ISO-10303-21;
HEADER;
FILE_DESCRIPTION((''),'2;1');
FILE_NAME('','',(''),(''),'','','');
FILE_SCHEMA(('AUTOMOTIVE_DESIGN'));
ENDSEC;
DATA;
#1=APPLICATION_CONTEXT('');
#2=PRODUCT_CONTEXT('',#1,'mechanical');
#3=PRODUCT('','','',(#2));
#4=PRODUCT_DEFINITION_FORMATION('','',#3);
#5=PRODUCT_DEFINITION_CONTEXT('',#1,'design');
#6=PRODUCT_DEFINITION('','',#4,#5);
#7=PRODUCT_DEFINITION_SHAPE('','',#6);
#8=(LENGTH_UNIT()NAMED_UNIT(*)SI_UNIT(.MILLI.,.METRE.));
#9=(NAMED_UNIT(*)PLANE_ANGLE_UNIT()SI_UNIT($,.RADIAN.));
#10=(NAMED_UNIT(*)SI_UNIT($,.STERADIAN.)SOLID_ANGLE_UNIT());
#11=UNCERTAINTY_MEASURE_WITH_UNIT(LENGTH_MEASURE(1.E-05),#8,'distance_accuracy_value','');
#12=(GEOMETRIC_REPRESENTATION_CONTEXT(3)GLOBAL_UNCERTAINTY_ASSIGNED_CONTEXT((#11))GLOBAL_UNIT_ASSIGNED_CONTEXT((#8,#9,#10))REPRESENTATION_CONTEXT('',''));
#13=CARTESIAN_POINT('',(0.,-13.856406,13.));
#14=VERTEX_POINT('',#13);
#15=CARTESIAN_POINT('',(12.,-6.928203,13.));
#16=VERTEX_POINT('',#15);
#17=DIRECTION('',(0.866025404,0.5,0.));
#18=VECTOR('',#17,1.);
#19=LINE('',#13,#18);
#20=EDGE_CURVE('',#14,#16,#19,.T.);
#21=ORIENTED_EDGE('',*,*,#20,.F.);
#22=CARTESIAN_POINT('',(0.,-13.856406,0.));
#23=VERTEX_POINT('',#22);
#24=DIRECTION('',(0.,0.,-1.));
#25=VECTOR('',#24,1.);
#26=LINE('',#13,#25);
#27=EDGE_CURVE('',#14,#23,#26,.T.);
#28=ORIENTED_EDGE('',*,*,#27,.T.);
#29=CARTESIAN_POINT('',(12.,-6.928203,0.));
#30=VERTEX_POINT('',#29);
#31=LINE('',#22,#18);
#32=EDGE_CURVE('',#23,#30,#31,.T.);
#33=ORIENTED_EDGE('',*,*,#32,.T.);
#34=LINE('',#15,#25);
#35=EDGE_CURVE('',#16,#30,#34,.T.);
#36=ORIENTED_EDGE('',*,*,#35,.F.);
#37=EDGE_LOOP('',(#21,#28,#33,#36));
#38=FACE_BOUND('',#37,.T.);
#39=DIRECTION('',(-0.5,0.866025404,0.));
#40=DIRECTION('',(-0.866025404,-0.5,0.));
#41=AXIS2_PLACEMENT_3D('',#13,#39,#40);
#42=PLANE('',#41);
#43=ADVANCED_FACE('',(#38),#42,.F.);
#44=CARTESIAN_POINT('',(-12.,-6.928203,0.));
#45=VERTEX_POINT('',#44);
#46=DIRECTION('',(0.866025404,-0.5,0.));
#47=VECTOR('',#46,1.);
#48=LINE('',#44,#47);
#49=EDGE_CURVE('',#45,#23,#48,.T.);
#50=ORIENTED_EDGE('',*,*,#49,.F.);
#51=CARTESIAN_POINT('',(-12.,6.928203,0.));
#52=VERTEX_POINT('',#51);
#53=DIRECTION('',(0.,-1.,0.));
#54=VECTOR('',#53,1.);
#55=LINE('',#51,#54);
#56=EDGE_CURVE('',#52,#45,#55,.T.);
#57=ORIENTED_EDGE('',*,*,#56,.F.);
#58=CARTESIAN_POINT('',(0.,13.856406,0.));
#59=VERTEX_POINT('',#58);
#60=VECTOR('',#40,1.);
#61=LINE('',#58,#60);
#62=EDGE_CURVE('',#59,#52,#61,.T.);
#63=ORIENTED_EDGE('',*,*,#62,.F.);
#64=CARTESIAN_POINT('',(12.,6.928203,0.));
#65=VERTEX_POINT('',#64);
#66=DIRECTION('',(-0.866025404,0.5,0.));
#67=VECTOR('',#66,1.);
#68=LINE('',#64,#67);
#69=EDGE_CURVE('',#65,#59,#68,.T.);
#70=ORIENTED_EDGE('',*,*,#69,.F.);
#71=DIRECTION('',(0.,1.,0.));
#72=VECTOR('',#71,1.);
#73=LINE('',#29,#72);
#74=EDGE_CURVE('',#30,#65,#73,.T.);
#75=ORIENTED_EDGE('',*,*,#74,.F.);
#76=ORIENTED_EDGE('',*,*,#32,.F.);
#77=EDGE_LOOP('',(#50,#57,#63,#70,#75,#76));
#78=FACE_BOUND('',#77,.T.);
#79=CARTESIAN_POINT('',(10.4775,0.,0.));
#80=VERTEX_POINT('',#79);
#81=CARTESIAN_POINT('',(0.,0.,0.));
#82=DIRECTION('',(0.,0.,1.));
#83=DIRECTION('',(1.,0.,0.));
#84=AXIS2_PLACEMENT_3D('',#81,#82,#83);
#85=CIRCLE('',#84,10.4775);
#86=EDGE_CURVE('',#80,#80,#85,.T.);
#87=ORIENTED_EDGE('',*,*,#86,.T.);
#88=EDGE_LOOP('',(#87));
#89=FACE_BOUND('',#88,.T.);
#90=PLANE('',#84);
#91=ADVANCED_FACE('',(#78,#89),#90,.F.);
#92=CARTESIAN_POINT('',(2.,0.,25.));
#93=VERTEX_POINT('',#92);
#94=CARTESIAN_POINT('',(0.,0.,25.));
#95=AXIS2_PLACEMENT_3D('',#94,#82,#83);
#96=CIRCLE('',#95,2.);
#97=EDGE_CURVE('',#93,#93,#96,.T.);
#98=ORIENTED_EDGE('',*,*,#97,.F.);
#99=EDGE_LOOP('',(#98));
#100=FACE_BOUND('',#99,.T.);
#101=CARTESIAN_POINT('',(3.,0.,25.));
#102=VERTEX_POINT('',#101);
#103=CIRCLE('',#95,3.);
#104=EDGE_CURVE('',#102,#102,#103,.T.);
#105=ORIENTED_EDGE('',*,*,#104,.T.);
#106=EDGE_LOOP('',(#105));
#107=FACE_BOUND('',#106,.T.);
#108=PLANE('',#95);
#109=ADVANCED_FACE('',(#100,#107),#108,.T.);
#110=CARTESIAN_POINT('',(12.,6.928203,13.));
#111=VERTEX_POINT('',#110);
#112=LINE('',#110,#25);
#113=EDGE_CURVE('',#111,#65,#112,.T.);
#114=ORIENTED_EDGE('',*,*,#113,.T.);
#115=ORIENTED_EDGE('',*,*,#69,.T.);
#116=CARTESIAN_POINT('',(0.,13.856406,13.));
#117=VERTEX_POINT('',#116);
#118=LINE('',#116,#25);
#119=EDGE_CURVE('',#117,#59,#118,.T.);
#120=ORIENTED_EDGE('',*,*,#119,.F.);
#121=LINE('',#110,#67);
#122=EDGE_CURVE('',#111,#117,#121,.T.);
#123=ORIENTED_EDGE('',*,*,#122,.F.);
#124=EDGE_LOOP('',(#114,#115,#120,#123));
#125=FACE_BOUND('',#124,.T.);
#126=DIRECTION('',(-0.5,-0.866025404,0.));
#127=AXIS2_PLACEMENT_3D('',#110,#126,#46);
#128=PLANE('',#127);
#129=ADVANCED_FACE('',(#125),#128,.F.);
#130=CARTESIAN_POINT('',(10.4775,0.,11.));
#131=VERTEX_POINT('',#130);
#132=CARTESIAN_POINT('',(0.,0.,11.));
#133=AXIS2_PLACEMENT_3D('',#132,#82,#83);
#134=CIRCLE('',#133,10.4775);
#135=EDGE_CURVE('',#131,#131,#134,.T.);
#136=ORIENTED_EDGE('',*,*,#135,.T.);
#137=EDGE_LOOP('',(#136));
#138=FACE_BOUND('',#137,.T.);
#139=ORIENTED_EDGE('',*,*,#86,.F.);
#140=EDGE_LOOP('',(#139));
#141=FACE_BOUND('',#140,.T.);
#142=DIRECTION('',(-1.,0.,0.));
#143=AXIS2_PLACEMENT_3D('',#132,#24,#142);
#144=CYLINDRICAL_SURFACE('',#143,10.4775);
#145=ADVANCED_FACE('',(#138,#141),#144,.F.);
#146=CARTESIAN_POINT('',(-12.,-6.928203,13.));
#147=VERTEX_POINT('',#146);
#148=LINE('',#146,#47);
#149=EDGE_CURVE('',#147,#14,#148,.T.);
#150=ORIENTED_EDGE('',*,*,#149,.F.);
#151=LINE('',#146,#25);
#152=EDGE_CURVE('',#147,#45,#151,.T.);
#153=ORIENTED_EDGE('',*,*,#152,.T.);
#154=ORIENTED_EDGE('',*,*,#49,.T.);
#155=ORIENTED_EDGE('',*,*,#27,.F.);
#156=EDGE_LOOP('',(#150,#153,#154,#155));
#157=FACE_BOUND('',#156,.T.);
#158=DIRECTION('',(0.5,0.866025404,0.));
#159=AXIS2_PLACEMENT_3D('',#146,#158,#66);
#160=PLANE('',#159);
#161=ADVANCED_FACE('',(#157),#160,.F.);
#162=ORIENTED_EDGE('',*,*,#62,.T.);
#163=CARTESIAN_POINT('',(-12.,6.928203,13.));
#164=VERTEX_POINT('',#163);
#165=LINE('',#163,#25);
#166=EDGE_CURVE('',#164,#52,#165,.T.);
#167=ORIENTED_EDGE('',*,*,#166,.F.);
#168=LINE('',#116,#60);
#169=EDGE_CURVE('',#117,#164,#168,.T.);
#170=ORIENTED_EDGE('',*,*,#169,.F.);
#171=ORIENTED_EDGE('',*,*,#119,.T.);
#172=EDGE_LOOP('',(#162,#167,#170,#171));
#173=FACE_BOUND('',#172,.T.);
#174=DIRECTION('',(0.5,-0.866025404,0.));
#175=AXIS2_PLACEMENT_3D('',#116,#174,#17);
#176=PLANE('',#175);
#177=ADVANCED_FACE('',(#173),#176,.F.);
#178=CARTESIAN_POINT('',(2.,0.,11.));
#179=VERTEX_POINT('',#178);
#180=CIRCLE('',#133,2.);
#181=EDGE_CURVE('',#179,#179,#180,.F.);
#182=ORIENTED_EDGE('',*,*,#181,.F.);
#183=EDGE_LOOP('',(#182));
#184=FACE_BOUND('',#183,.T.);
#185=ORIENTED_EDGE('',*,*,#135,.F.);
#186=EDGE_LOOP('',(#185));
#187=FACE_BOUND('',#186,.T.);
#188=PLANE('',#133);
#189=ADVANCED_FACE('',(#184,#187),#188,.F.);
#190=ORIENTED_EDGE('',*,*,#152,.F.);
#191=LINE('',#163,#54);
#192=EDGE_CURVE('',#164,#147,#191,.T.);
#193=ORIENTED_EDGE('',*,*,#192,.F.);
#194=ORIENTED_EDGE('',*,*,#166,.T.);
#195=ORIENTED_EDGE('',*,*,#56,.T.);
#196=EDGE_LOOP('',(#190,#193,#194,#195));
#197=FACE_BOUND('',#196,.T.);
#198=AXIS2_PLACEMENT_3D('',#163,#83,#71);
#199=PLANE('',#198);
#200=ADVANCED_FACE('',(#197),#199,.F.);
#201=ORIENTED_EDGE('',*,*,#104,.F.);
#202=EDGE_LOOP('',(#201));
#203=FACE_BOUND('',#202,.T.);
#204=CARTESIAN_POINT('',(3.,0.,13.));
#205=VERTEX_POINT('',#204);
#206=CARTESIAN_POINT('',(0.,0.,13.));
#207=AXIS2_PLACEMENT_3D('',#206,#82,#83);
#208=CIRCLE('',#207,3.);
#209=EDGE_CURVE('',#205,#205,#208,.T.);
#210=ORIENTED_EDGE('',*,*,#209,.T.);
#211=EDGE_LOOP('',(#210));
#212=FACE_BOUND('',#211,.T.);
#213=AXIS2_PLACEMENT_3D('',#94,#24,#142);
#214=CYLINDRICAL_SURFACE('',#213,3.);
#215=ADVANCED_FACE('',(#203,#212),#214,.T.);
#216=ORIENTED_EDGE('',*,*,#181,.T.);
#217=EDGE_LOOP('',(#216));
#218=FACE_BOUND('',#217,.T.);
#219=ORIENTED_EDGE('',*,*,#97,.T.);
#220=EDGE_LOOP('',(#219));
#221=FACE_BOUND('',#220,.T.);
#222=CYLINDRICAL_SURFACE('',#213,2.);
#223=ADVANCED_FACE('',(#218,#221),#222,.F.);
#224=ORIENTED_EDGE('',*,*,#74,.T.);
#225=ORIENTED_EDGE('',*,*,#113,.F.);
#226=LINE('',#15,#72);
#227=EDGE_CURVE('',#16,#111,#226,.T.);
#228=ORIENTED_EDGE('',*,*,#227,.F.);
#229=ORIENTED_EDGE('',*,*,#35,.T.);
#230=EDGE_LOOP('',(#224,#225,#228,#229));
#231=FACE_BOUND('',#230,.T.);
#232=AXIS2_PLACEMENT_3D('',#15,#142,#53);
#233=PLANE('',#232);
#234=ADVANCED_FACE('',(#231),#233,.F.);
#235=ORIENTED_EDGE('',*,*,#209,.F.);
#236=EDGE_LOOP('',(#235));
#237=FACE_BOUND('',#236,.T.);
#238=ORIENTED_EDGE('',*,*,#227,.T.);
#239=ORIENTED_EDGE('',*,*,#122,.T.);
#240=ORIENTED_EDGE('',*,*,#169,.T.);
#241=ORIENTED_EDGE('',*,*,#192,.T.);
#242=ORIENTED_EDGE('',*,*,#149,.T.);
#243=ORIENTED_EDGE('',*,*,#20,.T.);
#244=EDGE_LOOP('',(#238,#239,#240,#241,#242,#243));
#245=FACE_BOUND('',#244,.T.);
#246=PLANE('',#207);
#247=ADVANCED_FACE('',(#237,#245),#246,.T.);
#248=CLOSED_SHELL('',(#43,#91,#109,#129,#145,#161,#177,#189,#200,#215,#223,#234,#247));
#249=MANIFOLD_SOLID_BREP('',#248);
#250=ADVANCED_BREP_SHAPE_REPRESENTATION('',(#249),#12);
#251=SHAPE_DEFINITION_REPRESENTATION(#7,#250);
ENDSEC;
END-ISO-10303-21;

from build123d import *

# Parameters (mm, degrees)
HEX_NUT_DEPTH     = 13
SKETCH2_R         = 10.4775
THREAD_BORE_DEPTH = 11
BARB_START        = 13
SKETCH3_R         = 3
BARB_DEPTH        = 12
SKETCH4_R         = 2
BORE_DEPTH        = 32


with BuildPart() as part:
    # Sketch1 → Hex_Nut (new body)
    with BuildSketch(Plane.XY):
        Polygon((12, 6.92820323), (0, 13.856406461), (-12, 6.92820323), (-12, -6.92820323), (0, -13.856406461), (12, -6.92820323), align=None)
    extrude(amount=HEX_NUT_DEPTH)

    # Sketch2 → Thread_Bore (cut)
    with BuildSketch(Plane.XY):
        Circle(SKETCH2_R)
    extrude(amount=THREAD_BORE_DEPTH, mode=Mode.SUBTRACT)

    # Sketch3 → Barb (add)
    with BuildSketch(Plane.XY.offset(BARB_START)):
        Circle(SKETCH3_R)
    extrude(amount=BARB_DEPTH)

    # Sketch4 → Bore (cut, through all)
    with BuildSketch(Plane.XY):
        Circle(SKETCH4_R)
    extrude(amount=BORE_DEPTH, mode=Mode.SUBTRACT)


solid = part.part
